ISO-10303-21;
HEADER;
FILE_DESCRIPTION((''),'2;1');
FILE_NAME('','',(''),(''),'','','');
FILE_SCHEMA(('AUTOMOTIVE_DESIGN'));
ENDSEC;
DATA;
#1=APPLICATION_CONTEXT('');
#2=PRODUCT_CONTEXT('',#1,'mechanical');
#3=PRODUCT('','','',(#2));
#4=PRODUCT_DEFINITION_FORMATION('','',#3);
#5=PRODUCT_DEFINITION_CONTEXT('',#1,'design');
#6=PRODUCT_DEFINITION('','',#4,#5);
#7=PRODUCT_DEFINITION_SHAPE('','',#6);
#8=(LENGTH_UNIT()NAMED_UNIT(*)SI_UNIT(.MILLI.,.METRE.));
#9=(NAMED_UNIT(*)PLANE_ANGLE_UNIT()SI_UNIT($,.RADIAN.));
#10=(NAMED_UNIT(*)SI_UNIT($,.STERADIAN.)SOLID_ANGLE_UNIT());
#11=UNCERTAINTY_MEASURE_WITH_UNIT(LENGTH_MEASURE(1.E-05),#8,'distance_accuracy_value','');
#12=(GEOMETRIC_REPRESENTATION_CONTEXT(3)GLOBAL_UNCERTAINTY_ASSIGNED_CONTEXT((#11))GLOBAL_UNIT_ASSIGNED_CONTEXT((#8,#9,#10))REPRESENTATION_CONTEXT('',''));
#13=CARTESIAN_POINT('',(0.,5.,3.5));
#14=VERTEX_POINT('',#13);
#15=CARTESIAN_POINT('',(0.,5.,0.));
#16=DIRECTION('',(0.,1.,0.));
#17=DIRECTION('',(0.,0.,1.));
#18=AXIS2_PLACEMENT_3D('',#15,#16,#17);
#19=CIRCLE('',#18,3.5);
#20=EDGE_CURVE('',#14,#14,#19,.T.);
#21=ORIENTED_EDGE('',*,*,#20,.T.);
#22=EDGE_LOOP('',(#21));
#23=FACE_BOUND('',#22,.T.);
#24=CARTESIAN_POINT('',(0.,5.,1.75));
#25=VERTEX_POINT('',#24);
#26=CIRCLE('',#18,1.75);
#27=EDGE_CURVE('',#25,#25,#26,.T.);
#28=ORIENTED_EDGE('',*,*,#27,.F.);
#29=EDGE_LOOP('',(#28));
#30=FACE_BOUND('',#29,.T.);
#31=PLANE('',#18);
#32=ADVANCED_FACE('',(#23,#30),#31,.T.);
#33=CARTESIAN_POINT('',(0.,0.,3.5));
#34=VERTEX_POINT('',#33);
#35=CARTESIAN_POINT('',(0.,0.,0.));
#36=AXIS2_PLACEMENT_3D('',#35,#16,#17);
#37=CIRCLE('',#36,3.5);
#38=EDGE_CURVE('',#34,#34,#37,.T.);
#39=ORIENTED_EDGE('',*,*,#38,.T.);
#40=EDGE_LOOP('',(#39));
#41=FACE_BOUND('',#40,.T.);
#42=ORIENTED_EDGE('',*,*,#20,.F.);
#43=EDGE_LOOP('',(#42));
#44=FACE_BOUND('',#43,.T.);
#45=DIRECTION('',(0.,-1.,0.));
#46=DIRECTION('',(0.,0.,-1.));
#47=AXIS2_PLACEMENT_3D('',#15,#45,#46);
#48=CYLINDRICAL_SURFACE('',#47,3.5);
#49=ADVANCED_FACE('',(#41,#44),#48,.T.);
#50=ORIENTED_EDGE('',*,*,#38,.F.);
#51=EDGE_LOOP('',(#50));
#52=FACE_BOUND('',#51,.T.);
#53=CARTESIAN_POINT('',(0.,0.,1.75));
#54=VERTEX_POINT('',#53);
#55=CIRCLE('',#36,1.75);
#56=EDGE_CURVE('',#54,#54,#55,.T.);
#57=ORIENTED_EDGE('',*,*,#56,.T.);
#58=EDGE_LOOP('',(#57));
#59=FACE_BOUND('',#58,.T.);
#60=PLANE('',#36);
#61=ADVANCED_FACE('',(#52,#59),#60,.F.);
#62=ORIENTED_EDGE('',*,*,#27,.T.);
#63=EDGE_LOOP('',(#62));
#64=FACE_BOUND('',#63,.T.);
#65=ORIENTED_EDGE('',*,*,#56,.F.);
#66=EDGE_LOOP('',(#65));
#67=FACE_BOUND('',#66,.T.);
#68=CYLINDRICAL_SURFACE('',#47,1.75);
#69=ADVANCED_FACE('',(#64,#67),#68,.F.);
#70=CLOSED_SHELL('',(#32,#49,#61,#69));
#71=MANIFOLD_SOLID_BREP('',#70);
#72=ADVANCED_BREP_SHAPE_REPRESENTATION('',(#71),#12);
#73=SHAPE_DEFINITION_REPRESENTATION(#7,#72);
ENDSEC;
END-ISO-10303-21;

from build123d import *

# Parameters (mm, degrees)
SKETCH1_R           = 3.5
SKETCH1_R_2         = 1.75
BOSS_EXTRUDE1_DEPTH = 5


with BuildPart() as part:
    # Sketch1 → Boss-Extrude1 (new body)
    with BuildSketch(Plane(origin=(0, 0, 0), x_dir=(1, 0, 0), z_dir=(0, 1, 0))):
        Circle(SKETCH1_R)
        Circle(SKETCH1_R_2, mode=Mode.SUBTRACT)
    extrude(amount=BOSS_EXTRUDE1_DEPTH)


solid = part.part
